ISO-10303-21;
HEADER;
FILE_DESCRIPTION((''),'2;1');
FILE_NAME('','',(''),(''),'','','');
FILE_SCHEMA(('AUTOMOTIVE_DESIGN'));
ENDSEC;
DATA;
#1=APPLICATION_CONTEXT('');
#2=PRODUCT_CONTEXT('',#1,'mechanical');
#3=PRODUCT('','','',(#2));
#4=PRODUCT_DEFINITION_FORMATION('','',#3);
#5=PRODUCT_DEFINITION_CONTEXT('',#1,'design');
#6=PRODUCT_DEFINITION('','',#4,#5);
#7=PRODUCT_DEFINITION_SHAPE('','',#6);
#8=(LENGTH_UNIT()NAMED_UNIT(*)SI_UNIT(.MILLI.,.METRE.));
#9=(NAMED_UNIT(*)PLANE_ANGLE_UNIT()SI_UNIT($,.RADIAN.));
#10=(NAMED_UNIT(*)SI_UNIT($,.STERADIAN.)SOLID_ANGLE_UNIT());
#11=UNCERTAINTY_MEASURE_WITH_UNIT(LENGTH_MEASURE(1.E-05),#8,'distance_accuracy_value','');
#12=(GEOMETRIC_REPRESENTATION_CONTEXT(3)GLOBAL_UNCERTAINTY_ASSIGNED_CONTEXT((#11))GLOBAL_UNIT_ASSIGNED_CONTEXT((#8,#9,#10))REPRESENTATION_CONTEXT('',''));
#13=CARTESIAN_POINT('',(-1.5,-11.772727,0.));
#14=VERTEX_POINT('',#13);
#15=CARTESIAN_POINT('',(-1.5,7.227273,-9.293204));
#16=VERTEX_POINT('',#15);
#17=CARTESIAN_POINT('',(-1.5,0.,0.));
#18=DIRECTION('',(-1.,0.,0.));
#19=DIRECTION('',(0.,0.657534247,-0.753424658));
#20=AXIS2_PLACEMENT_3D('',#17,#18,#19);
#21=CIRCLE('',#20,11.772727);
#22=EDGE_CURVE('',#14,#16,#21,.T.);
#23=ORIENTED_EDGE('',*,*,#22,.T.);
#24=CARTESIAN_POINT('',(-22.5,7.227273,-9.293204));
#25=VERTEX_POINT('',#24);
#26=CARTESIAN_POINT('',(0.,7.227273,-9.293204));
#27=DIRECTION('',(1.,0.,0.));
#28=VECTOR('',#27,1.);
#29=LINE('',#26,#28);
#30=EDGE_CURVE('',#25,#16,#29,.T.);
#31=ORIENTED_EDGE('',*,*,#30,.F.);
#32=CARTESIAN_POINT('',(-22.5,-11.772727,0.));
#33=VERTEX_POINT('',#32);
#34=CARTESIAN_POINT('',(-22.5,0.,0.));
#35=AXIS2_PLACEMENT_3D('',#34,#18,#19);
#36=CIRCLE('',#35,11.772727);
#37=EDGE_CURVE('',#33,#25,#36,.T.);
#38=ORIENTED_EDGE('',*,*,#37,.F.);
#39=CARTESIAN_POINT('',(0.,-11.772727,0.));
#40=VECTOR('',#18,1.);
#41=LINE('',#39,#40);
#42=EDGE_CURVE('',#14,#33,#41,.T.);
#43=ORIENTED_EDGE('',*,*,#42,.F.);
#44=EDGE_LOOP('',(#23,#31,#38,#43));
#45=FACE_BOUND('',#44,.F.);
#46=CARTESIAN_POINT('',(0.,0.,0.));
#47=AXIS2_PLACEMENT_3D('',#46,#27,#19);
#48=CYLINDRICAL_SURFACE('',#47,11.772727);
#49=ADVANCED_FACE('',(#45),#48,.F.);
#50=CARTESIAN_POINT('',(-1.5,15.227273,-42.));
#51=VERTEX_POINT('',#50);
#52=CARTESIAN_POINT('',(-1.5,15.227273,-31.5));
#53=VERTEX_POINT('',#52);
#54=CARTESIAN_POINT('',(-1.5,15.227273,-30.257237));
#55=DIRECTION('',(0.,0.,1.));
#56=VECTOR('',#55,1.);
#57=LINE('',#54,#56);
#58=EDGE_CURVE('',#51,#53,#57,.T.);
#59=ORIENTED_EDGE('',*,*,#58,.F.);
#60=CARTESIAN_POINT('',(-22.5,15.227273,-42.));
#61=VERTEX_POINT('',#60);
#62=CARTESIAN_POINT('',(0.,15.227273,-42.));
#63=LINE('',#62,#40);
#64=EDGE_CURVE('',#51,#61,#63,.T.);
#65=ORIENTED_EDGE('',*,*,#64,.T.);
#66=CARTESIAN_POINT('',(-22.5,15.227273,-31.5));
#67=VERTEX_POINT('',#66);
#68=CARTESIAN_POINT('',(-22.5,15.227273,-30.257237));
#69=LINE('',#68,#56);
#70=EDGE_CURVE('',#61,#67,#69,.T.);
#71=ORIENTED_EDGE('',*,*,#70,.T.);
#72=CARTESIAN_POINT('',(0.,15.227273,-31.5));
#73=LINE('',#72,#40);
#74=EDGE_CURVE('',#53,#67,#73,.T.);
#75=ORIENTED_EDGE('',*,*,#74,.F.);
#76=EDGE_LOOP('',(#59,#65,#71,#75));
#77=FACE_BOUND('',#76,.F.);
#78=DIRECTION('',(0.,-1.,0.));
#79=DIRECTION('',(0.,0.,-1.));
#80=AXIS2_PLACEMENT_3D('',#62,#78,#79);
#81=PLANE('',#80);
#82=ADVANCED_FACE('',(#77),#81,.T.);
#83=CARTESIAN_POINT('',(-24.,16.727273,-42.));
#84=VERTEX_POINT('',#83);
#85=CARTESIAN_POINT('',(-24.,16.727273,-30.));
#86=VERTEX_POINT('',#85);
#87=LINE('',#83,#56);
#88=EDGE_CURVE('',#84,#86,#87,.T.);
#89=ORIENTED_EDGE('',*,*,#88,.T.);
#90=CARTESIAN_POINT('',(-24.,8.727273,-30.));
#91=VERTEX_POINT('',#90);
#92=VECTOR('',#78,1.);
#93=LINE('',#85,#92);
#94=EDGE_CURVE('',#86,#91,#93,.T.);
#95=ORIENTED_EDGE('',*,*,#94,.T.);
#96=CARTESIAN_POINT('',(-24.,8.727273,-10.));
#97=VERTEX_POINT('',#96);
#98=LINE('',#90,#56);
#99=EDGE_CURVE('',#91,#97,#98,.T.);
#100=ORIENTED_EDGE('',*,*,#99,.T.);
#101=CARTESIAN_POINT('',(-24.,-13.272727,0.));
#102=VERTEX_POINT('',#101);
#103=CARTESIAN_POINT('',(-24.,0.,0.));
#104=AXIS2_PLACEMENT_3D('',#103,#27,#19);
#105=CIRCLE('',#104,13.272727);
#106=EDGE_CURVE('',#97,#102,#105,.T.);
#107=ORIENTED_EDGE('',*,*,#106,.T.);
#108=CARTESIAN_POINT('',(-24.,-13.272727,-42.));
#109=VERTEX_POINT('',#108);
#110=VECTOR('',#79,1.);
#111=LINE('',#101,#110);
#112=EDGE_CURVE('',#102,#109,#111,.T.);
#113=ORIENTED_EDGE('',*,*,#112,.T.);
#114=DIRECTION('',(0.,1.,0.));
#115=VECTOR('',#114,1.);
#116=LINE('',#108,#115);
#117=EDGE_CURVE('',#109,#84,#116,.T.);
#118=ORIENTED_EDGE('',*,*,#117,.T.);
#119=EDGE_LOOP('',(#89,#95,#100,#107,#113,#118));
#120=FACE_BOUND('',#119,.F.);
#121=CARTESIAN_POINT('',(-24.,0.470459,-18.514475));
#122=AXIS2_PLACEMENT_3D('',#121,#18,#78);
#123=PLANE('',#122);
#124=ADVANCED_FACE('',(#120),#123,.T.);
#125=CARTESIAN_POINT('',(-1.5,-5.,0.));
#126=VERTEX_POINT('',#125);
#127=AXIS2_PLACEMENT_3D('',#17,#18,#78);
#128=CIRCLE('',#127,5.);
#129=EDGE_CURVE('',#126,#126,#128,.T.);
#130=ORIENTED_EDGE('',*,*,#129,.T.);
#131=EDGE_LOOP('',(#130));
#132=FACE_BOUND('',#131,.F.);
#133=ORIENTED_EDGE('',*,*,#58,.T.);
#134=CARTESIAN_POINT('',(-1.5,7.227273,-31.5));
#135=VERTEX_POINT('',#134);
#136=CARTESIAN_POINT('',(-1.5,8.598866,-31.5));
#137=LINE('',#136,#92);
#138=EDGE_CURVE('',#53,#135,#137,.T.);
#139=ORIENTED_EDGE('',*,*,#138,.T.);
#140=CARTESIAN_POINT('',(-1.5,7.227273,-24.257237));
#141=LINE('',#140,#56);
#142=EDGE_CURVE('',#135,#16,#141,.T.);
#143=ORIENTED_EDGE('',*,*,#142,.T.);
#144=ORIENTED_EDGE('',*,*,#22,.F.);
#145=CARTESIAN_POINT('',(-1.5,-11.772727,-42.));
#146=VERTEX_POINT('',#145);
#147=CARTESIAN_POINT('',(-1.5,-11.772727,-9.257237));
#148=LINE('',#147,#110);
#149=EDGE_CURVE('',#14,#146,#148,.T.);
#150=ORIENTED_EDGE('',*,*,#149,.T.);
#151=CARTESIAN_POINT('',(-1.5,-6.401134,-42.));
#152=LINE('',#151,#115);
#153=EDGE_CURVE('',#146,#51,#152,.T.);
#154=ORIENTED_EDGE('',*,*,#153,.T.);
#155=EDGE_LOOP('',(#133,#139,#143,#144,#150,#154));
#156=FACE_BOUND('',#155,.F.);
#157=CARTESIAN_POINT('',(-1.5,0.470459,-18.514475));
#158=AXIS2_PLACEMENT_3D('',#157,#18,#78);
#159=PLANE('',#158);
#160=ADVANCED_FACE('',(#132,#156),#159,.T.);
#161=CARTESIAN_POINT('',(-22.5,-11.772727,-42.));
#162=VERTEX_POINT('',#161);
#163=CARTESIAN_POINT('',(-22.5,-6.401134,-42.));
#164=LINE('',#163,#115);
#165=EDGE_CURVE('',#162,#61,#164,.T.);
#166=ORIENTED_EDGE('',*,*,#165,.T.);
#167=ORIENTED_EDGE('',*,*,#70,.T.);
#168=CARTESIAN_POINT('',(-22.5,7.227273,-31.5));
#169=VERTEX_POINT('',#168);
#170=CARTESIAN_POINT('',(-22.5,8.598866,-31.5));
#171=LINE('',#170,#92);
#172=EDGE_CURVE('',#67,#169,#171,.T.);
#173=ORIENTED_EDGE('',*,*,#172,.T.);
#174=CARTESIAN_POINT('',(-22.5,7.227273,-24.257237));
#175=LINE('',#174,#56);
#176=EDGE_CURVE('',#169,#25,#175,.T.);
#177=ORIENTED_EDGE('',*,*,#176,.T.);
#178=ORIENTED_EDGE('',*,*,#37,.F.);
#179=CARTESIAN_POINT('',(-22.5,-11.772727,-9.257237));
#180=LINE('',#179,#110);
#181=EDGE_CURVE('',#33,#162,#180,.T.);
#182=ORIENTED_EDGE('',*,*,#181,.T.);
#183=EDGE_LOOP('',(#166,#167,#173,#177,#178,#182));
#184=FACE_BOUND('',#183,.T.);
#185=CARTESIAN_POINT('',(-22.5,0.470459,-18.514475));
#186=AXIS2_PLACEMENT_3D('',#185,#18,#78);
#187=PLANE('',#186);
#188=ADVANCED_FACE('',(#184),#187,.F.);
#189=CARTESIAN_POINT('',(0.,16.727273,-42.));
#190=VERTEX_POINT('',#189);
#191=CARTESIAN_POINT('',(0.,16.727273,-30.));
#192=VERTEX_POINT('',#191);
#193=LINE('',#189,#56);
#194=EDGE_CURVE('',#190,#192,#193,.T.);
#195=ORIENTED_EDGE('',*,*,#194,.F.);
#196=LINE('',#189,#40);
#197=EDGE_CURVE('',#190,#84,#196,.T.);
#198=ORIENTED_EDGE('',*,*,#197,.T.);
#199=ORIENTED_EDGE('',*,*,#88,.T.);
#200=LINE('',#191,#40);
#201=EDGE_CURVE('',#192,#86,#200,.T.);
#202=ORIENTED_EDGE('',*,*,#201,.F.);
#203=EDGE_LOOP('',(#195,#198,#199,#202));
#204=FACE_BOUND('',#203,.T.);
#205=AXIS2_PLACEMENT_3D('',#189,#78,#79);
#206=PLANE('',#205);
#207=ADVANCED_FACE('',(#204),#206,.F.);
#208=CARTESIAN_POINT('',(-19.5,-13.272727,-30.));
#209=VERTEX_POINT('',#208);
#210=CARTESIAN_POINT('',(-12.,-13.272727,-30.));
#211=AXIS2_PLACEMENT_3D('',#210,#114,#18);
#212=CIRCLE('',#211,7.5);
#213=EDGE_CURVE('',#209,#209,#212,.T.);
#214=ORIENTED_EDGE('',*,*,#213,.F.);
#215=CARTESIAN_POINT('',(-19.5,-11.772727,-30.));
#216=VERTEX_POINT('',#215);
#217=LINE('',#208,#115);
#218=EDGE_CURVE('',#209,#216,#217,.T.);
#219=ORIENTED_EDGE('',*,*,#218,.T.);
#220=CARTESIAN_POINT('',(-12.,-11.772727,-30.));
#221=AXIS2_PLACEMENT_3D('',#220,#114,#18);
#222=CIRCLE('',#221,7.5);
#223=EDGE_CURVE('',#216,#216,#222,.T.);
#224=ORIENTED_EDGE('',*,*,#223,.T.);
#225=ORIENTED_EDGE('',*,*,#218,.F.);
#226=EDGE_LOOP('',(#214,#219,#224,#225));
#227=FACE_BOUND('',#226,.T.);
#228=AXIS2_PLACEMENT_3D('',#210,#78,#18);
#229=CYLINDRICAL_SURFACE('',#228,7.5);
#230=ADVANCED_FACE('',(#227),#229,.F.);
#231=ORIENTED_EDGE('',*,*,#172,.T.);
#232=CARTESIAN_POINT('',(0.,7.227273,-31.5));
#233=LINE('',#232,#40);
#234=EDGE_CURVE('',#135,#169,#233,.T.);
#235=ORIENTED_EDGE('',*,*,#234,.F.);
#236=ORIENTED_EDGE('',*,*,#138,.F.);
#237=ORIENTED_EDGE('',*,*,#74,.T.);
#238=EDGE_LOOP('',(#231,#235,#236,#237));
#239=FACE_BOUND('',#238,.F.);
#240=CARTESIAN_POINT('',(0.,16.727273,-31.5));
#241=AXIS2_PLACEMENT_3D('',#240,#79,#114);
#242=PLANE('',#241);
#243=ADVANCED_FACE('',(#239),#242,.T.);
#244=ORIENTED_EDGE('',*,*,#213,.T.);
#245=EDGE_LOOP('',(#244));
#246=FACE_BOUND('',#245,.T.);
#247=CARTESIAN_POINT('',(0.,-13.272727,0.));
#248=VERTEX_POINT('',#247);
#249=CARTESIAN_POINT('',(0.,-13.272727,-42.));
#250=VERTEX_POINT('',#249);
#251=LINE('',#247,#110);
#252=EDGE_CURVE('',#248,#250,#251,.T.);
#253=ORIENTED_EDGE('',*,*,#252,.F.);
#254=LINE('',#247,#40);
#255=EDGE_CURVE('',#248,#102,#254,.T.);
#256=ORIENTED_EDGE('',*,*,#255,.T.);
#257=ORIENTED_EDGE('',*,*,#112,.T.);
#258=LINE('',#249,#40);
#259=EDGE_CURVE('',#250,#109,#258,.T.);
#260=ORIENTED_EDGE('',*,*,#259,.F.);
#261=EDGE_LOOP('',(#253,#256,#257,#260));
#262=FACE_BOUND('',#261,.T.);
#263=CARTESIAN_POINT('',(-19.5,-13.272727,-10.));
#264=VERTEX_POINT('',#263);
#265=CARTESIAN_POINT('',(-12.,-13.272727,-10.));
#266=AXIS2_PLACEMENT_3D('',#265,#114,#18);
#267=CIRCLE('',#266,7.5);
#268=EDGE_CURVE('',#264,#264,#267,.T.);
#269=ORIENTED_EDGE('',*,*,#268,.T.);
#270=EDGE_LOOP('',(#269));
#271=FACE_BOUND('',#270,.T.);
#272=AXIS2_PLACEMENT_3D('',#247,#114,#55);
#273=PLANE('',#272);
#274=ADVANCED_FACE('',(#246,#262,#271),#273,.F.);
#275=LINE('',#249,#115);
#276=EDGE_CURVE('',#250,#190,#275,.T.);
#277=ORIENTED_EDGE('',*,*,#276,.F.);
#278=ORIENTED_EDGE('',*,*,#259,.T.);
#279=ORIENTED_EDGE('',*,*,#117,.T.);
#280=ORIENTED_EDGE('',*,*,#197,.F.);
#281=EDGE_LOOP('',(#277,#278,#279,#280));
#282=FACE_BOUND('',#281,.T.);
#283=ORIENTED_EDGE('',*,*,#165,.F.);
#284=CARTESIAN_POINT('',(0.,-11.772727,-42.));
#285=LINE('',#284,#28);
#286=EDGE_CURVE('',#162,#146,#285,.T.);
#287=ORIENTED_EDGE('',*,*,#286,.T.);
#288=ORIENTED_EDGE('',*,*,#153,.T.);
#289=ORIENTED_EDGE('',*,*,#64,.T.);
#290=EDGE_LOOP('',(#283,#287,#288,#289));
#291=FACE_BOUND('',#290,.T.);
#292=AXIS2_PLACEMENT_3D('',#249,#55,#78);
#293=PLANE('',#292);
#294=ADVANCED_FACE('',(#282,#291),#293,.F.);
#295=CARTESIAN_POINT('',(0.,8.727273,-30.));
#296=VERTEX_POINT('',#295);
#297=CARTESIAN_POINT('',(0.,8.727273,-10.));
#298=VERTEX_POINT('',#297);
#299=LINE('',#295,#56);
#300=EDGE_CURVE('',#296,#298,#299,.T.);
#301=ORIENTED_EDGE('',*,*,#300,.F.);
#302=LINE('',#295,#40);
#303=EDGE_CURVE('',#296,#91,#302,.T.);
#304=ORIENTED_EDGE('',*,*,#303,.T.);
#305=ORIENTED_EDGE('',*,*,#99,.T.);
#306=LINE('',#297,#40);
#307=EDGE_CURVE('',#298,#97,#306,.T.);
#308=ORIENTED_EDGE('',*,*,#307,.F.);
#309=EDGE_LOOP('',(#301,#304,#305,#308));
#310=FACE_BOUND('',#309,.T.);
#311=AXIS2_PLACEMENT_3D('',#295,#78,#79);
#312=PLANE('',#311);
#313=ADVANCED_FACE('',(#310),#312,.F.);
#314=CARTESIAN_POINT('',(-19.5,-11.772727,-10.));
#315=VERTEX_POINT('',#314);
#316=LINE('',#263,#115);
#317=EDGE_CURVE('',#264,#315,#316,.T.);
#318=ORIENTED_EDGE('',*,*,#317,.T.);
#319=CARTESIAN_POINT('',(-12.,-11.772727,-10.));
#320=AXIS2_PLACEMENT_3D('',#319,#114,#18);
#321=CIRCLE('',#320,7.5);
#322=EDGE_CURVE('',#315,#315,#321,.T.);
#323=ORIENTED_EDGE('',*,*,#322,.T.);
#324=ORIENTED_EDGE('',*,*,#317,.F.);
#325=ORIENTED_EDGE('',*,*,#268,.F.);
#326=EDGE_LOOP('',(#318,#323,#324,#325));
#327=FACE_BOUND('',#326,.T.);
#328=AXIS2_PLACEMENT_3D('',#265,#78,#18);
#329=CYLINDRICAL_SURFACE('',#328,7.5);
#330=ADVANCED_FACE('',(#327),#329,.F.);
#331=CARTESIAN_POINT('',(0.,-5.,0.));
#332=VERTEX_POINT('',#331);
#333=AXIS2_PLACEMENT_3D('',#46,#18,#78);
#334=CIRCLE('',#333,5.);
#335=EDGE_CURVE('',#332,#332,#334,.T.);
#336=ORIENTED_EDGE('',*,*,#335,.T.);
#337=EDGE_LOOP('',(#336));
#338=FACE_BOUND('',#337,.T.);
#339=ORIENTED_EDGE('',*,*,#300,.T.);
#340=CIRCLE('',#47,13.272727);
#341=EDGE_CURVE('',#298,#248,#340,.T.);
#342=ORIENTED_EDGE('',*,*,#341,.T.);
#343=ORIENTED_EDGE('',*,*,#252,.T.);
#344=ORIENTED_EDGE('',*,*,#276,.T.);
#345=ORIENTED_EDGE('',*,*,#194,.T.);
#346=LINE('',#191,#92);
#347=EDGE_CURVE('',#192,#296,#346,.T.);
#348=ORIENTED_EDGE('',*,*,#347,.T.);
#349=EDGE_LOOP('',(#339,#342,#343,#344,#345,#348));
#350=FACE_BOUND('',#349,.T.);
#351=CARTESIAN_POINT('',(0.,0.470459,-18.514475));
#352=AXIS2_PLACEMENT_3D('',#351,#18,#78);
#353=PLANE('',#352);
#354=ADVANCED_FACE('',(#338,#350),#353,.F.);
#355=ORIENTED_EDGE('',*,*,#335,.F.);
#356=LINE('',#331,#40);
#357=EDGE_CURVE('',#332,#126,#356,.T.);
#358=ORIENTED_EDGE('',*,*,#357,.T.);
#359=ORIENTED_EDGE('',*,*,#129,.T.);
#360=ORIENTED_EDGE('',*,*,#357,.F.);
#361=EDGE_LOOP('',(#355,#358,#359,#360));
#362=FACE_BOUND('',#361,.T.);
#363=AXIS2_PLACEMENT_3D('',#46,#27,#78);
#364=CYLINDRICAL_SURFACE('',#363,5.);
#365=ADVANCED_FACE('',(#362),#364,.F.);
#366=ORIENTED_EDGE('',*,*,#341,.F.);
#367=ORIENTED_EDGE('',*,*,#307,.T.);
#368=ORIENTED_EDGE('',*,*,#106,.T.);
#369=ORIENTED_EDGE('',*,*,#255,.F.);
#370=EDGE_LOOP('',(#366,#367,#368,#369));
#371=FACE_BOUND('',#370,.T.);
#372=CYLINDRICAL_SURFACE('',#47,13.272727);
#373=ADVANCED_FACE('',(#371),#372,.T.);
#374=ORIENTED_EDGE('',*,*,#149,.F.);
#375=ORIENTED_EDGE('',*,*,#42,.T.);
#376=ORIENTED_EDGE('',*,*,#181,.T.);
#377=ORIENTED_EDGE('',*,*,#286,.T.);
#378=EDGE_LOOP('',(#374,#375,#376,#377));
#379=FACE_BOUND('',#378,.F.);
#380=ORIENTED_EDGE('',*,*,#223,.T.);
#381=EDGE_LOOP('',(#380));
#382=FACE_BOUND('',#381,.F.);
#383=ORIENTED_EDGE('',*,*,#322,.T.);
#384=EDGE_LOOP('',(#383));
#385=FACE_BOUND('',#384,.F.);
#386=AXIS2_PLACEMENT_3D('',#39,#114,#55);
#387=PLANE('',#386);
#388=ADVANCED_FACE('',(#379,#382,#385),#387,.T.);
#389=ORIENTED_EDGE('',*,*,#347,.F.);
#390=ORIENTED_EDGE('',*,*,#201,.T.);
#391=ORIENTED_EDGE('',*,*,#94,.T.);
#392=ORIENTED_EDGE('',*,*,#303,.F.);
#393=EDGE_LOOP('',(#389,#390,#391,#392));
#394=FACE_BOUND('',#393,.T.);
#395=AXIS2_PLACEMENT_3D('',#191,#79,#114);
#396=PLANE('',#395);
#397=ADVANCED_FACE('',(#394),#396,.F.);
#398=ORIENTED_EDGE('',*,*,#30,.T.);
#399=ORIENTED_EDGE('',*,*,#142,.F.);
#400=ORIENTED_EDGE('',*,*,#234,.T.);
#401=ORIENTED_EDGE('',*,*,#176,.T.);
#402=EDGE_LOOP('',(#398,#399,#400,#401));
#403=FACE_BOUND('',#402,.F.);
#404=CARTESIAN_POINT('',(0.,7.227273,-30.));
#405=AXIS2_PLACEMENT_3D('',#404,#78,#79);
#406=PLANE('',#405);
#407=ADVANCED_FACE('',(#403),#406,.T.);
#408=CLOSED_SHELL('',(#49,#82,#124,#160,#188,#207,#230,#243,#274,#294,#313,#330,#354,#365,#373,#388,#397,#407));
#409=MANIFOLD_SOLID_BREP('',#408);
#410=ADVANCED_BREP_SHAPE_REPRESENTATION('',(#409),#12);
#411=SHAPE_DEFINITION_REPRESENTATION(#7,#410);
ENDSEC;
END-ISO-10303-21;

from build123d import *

# Parameters (mm, degrees)
F1_DEPTH = 24
F2_T     = -1.5
F3_R     = 5
F4_DEPTH = 5
F5_R     = 7.5
F6_DEPTH = 5


with BuildPart() as f1:
    # F0 (on Right) → F1 (new body)
    with BuildSketch(Plane.YZ):
        with BuildLine():
            Line((8.7272727273, -30), (8.7272727273, -10))
            ThreePointArc((8.7272727273, -10), (5.4922936244, 12.0830459736), (-13.2727272727, 0))
            Line((-13.2727272727, 0), (-13.2727272727, -42))
            Line((-13.2727272727, -42), (16.7272727273, -42))
            Line((16.7272727273, -42), (16.7272727273, -30))
            Line((16.7272727273, -30), (8.7272727273, -30))
        make_face()
    extrude(amount=F1_DEPTH)

    # F2
    f2_openings = [f1.faces().sort_by_distance(p)[0] for p in [
        (12, 1.727273, -42),
    ]]
    offset(amount=F2_T, openings=f2_openings, kind=Kind.INTERSECTION)

    # F3 (on face) → F4 (cut)
    with BuildSketch(Plane(origin=(0, 0, 0), x_dir=(0, -1, 0), z_dir=(-1, 0, 0))):
        Circle(F3_R)
    extrude(amount=-F4_DEPTH, mode=Mode.SUBTRACT)

    # F5 (on face) → F6 (cut)
    with BuildSketch(Plane.XZ.offset(13.2727272727)):
        with Locations((12, -10)):
            Circle(F5_R)
        with Locations((12, -30)):
            Circle(F5_R)
    extrude(amount=-F6_DEPTH, mode=Mode.SUBTRACT)


with BuildPart() as f7_1:
    # F7: instance of F1
    add(f1.part.mirror(Plane(origin=(0, -0.4359832268, -17.1422397222), x_dir=(0, 1, 0), z_dir=(-1, 0, 0))))


solid = f7_1.part
